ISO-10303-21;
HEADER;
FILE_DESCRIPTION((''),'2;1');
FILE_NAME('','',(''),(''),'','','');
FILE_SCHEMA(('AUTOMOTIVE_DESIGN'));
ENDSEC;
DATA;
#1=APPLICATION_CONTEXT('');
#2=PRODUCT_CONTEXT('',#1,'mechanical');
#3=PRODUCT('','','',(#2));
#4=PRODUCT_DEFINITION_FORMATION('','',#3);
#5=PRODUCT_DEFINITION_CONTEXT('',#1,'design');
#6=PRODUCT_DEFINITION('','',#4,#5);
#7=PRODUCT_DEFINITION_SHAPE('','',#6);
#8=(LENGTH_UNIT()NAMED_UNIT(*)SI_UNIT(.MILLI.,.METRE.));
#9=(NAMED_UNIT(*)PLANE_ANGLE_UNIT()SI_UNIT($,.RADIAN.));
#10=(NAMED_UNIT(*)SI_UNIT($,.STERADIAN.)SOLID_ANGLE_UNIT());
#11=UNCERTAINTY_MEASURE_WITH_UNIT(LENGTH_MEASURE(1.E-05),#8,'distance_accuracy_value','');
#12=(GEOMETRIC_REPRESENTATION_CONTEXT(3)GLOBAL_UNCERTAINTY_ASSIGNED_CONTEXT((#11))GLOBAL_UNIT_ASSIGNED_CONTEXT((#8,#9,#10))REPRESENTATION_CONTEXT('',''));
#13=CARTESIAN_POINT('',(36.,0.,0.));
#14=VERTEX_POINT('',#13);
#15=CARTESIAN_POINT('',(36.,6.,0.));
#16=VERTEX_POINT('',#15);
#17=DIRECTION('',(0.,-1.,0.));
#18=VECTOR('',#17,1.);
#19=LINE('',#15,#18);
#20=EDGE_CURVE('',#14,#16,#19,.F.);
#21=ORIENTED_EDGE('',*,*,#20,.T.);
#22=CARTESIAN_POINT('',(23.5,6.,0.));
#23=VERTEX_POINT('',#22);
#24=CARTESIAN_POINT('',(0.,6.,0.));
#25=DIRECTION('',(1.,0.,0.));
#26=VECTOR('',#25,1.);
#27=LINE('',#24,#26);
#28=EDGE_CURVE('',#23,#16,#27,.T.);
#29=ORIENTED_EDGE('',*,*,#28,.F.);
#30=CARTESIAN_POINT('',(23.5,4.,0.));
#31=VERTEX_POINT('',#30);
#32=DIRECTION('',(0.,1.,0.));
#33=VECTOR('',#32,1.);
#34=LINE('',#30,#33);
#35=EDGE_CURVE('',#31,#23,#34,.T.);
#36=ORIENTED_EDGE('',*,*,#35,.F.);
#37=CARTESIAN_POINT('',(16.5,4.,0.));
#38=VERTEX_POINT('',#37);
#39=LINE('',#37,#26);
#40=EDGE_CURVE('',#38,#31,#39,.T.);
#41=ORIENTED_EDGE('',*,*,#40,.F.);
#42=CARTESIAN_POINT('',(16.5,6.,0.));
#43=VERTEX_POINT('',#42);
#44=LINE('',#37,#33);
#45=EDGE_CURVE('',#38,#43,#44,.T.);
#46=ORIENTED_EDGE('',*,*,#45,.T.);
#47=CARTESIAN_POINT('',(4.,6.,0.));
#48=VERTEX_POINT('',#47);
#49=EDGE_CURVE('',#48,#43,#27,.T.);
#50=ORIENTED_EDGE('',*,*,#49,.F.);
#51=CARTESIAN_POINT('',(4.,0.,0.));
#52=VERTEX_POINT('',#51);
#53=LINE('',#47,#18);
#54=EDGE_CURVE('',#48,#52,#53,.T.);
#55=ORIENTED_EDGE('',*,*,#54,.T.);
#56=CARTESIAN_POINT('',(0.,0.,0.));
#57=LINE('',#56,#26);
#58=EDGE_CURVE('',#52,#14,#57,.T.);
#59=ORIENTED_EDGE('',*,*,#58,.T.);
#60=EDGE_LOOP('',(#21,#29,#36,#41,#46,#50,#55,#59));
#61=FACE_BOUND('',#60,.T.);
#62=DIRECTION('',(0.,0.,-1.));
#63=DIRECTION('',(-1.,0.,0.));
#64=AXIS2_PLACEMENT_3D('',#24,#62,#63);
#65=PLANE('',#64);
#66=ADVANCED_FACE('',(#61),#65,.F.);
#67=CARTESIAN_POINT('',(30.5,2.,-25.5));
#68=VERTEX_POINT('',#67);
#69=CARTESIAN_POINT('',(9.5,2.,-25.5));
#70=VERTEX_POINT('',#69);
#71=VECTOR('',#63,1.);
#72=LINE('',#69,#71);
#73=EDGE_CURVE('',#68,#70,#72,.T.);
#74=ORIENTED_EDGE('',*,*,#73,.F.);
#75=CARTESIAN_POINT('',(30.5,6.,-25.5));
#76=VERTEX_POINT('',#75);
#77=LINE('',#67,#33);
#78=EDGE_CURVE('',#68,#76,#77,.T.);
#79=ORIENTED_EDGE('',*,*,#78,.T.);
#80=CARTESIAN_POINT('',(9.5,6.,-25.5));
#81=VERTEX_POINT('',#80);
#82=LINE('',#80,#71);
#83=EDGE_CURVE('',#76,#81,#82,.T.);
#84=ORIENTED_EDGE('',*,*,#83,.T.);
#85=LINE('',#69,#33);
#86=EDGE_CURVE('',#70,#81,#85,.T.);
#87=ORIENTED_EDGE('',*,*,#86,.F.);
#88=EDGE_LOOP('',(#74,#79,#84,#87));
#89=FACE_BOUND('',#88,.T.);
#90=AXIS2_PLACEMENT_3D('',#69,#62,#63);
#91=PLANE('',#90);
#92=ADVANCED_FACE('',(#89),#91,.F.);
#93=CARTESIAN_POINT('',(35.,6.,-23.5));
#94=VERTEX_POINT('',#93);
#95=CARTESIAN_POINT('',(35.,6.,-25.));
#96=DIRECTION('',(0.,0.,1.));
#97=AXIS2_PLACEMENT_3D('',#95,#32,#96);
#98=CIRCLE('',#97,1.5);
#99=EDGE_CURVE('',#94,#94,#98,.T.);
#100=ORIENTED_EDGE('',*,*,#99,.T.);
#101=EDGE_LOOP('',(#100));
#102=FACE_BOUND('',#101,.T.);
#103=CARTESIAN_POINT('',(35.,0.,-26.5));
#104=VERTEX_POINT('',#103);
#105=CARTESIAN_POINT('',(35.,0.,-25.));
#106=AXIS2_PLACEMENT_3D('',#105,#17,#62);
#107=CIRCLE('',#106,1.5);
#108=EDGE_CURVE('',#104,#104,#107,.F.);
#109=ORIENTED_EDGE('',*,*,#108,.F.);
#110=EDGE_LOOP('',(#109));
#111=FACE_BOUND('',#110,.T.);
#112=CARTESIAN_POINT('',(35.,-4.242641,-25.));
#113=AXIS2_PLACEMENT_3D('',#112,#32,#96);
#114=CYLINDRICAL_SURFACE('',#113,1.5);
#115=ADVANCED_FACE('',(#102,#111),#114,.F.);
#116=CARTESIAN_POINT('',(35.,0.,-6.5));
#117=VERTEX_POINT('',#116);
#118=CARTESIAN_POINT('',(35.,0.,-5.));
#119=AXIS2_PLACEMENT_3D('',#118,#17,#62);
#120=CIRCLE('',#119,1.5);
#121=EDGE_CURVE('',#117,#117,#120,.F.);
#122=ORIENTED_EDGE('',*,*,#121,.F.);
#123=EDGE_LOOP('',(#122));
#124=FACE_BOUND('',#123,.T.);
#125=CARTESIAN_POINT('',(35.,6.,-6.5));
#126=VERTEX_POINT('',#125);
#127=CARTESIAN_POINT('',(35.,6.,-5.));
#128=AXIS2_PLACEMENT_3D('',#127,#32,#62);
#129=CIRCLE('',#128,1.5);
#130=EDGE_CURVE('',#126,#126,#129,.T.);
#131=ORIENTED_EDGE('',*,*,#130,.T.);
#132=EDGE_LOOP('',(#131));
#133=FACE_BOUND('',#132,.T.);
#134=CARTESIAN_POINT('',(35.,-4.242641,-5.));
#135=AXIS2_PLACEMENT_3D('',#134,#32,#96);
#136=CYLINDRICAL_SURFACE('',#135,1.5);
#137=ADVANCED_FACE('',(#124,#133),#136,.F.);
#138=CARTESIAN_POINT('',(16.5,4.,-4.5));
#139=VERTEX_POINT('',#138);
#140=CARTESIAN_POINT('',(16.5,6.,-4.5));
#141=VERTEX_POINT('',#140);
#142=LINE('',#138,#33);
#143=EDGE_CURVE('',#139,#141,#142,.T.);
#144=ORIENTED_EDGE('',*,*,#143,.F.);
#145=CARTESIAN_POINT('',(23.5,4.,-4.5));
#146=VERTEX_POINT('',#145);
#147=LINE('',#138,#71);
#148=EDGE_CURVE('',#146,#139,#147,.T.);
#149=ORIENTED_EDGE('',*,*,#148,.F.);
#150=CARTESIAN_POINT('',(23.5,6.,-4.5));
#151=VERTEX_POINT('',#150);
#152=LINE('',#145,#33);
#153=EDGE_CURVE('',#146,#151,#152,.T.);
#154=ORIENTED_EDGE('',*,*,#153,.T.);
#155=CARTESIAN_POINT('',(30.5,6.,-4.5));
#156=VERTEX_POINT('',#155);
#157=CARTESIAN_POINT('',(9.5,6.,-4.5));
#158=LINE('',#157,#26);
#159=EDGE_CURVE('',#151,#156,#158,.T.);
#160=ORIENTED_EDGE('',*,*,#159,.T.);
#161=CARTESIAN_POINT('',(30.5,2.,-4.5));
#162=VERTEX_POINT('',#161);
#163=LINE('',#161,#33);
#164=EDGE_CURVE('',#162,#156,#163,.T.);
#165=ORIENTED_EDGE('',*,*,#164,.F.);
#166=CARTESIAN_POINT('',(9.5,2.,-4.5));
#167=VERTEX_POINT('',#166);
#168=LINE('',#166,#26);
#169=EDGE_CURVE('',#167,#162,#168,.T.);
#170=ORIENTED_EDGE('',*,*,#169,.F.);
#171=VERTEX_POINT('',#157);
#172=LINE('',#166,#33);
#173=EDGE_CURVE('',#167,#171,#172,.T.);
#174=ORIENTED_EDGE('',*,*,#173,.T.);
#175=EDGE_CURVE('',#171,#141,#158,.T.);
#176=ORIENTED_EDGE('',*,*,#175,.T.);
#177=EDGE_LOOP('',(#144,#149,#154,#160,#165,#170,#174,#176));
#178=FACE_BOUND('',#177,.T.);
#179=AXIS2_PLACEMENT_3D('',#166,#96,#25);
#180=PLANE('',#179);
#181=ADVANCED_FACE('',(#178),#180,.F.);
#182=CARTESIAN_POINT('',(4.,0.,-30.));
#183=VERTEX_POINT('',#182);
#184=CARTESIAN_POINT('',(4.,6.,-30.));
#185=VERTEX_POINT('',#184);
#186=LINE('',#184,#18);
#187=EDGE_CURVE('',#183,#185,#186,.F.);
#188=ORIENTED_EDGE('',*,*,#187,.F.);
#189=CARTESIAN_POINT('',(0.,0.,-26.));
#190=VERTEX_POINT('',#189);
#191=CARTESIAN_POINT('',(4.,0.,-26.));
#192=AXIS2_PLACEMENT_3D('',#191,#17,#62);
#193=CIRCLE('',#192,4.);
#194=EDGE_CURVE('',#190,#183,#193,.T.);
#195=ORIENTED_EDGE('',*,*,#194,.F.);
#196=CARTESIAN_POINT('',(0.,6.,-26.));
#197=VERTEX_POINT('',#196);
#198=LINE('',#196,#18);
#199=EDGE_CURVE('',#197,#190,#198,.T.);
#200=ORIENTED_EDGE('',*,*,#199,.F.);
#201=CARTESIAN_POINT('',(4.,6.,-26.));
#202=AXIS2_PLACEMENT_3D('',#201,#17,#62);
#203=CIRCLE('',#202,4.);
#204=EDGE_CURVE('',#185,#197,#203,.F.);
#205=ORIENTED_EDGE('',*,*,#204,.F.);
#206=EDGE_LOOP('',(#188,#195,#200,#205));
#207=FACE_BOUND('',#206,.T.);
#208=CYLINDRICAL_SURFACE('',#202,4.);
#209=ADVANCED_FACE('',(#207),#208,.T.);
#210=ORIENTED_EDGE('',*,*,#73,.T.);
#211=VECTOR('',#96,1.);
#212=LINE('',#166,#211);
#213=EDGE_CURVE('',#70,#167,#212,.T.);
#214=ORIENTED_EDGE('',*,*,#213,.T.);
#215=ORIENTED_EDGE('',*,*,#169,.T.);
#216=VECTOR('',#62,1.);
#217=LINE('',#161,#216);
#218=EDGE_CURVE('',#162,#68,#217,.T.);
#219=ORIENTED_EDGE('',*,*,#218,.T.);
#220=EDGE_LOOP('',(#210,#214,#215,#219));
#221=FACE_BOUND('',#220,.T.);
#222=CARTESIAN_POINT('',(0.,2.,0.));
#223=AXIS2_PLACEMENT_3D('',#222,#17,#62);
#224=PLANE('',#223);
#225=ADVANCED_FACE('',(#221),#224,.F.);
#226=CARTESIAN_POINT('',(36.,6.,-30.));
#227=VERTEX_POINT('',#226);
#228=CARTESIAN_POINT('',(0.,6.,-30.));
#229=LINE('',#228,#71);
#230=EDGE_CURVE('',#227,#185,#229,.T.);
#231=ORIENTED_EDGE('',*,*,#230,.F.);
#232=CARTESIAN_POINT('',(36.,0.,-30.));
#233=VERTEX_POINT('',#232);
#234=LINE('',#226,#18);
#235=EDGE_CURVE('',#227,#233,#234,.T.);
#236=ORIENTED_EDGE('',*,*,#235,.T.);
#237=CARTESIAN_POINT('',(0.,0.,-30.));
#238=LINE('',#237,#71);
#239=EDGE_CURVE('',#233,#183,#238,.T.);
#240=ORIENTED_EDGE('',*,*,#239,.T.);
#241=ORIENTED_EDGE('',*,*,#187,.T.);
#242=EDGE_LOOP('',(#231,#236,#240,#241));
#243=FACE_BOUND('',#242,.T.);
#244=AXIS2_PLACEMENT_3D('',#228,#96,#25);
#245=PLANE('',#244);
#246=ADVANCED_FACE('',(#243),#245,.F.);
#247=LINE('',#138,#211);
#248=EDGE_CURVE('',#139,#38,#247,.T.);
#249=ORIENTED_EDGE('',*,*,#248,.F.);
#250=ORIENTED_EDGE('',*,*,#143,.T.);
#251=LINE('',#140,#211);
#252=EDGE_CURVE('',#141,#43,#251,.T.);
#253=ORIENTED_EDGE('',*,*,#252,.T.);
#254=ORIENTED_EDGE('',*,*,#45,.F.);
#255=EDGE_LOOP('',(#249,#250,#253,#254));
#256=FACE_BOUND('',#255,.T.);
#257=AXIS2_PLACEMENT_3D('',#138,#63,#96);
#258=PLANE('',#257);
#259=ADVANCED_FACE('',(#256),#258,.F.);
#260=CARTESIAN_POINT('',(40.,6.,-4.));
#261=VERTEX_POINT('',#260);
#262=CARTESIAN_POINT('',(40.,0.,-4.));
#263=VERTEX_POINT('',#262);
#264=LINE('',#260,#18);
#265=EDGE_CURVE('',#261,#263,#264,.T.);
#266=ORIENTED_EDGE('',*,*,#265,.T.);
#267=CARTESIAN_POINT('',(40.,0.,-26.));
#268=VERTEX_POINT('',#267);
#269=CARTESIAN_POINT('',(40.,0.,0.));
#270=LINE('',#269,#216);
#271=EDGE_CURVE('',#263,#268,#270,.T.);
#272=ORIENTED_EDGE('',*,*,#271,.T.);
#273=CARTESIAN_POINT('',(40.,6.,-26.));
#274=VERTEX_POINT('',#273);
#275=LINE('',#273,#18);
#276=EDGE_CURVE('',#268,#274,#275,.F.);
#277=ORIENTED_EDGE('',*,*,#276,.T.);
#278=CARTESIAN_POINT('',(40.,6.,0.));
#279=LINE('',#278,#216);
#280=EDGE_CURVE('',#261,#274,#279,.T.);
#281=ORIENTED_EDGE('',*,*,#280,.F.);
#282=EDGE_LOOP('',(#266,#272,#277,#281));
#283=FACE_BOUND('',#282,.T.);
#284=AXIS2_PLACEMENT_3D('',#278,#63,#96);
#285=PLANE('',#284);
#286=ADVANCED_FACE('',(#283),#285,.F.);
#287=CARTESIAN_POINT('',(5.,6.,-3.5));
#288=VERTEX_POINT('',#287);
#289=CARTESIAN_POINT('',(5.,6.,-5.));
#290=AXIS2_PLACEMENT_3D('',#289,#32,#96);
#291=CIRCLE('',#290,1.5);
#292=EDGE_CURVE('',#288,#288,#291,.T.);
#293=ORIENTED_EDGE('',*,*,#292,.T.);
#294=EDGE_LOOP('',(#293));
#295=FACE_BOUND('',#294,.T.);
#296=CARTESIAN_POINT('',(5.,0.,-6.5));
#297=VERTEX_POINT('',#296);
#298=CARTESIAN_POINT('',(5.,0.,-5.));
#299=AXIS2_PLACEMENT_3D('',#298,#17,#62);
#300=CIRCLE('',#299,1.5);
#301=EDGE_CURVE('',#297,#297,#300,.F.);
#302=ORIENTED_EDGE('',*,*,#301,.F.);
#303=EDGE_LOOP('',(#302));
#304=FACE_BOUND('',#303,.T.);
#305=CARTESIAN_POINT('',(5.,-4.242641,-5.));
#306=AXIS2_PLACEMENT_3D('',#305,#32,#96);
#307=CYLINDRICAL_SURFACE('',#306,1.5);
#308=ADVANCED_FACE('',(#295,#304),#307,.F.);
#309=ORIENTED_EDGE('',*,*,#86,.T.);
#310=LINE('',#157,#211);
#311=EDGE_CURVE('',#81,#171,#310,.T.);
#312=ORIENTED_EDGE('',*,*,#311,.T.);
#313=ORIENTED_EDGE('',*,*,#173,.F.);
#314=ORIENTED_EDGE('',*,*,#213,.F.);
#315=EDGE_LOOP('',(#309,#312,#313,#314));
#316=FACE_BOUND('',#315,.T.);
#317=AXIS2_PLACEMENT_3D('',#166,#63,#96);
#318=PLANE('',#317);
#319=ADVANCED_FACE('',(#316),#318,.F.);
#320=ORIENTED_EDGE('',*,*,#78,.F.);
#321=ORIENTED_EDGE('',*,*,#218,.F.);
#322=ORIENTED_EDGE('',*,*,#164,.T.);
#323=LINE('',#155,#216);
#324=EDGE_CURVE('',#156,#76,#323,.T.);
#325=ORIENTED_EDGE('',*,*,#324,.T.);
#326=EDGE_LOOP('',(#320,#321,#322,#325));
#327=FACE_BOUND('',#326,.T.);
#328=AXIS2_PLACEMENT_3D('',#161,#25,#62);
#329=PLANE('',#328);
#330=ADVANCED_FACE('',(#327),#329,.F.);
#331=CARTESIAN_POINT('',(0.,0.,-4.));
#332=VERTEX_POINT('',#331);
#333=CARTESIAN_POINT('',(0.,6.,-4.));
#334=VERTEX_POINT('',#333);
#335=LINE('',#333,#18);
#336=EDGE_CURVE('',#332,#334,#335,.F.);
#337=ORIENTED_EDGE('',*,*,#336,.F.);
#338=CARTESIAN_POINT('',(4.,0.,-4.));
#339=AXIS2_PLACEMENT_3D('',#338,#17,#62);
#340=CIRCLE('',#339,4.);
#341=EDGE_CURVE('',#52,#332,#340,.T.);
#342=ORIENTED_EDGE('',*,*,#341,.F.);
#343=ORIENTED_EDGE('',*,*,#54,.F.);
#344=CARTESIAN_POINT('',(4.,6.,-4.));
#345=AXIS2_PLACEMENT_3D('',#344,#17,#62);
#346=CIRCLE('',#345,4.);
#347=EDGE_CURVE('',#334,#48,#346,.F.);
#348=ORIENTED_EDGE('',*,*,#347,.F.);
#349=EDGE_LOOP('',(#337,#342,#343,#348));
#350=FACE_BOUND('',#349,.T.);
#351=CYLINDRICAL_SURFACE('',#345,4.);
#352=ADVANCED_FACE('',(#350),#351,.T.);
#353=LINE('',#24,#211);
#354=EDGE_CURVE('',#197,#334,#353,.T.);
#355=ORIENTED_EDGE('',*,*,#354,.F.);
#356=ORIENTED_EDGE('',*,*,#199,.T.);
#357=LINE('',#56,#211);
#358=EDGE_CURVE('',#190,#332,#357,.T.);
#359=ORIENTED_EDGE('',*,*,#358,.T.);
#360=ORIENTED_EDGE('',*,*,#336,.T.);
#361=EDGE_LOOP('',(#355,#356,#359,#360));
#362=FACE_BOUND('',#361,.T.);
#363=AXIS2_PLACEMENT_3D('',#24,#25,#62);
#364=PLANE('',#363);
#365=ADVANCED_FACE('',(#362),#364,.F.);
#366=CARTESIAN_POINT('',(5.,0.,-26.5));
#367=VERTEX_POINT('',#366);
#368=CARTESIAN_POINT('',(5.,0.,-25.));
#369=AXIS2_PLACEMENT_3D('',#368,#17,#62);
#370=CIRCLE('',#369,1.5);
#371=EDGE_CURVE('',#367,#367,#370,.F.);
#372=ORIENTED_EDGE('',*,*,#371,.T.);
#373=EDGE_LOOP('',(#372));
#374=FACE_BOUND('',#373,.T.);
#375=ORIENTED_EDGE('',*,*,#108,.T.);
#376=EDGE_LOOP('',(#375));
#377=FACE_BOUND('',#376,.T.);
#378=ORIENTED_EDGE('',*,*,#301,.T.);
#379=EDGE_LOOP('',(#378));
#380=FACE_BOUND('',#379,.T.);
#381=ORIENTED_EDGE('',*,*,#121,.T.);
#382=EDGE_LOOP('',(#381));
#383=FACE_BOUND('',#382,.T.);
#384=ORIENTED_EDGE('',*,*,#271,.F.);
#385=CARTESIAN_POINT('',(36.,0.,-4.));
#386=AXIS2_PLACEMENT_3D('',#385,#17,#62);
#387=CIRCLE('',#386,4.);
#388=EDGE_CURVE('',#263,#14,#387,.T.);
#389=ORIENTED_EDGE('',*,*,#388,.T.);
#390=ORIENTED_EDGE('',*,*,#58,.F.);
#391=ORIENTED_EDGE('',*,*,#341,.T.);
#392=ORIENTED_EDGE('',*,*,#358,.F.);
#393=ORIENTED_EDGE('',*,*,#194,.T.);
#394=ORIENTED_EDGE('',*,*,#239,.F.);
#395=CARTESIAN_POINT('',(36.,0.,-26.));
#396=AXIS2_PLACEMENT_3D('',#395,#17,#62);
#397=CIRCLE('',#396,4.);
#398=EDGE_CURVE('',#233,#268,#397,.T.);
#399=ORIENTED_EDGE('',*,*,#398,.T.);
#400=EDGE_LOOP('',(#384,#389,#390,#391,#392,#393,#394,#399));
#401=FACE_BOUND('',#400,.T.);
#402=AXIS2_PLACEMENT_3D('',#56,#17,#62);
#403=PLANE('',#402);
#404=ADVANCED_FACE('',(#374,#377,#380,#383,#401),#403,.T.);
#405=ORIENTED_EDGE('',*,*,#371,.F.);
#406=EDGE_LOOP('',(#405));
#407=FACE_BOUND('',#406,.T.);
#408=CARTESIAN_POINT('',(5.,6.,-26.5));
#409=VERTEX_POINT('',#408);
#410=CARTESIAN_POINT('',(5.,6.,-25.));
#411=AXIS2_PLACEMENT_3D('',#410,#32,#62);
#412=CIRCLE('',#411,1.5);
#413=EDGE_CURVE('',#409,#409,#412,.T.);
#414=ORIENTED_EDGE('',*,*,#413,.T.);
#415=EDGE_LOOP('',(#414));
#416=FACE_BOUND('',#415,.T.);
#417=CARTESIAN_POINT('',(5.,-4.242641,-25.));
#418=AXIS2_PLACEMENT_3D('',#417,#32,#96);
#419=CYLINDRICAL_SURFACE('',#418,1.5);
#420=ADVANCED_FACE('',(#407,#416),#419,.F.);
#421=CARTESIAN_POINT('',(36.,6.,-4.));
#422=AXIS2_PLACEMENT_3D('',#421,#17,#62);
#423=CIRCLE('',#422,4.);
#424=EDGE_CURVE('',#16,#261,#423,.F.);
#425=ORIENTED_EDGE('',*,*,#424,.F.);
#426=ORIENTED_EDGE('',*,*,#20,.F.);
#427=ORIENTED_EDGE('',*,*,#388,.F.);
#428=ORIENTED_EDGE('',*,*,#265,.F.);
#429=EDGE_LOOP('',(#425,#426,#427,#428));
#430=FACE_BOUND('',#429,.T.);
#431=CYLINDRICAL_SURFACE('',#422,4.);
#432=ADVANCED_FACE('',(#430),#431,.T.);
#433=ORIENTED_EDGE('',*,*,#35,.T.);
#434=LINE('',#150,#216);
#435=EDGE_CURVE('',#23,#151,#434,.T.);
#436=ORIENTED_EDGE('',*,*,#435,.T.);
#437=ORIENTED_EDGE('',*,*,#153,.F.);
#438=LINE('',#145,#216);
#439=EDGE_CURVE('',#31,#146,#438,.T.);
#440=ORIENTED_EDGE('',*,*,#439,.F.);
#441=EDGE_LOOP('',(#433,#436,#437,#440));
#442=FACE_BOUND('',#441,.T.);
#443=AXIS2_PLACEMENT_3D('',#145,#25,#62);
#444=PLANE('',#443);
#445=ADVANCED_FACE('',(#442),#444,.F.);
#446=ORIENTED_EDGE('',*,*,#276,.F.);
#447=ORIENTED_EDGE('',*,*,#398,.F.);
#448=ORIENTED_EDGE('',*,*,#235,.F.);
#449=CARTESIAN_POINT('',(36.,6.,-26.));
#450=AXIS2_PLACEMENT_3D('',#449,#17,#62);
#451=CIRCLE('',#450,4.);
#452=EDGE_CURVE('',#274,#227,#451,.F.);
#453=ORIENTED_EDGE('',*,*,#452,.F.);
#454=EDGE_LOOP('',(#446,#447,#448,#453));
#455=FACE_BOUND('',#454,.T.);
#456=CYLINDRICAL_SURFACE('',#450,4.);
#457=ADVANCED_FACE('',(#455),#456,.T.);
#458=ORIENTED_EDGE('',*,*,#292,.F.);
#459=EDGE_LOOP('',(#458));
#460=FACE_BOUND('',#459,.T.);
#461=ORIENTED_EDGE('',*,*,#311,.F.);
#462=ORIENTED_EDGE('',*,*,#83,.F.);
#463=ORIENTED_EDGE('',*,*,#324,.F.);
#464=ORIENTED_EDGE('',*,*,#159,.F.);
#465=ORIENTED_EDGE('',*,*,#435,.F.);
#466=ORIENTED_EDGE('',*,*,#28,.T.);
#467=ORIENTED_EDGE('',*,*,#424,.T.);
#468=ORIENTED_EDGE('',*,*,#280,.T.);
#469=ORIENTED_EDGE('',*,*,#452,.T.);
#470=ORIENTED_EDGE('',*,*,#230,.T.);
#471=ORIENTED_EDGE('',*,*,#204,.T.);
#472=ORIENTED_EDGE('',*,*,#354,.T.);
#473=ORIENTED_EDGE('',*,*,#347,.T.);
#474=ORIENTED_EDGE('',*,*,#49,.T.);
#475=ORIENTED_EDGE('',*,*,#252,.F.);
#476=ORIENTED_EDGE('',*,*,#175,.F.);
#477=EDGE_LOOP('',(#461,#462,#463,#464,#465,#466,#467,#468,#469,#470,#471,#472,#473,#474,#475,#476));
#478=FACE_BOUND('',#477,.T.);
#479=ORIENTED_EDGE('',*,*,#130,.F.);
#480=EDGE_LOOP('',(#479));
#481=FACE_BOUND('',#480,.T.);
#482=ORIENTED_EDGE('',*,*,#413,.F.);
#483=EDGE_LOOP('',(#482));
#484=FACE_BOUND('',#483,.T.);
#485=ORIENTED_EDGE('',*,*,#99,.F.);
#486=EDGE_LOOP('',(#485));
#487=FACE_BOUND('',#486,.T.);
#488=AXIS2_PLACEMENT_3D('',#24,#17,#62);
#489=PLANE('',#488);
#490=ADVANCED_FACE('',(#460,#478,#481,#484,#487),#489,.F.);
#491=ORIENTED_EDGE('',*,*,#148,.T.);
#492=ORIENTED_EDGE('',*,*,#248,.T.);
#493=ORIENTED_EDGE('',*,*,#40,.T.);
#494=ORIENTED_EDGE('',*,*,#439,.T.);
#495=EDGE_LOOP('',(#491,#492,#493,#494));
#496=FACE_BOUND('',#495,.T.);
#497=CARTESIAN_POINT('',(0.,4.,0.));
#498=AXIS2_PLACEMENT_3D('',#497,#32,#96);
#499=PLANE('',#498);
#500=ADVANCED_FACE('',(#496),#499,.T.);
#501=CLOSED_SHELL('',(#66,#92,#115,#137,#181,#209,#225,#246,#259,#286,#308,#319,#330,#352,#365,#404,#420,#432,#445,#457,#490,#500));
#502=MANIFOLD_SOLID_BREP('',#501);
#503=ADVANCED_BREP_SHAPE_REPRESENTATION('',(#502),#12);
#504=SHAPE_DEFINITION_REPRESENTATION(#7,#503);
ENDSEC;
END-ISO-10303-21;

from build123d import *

# Parameters (mm, degrees)
SKETCH1_W           = 40
SKETCH1_H           = 30
BOSS_EXTRUDE1_DEPTH = 6
SKETCH2_R           = 1.5
CUT_EXTRUDE1_DEPTH  = 6
FILLET1_R           = 4
SKETCH3_W           = 21
SKETCH3_H           = 21
CUT_EXTRUDE2_DEPTH  = 4
SKETCH4_W           = 7
SKETCH4_H           = 4.5
CUT_EXTRUDE3_DEPTH  = 2


with BuildPart() as part:
    # Sketch1 → Boss-Extrude1 (new body)
    with BuildSketch(Plane(origin=(0, 0, 0), x_dir=(1, 0, 0), z_dir=(0, 1, 0))):
        with Locations((20, 15)):
            Rectangle(SKETCH1_W, SKETCH1_H)
    extrude(amount=BOSS_EXTRUDE1_DEPTH)

    # Sketch2 → Cut-Extrude1 (cut)
    with BuildSketch(Plane(origin=(0, 6, 0), x_dir=(1, 0, 0), z_dir=(0, 1, 0))):
        with Locations(Location((5, 5, 0), (0, 0, 270))):
            Circle(SKETCH2_R)
        with Locations(Location((5, 25, 0), (0, 0, 90))):
            Circle(SKETCH2_R)
        with Locations(Location((35, 5, 0), (0, 0, 90))):
            Circle(SKETCH2_R)
        with Locations(Location((35, 25, 0), (0, 0, 270))):
            Circle(SKETCH2_R)
    extrude(amount=-CUT_EXTRUDE1_DEPTH, mode=Mode.SUBTRACT)

    # Fillet1
    fillet1_edges = [part.edges().sort_by_distance(p)[0] for p in [
        (0, 3, -30),
        (40, 3, -30),
        (40, 3, 0),
        (0, 3, 0),
    ]]
    fillet(fillet1_edges, radius=FILLET1_R)

    # Sketch3 → Cut-Extrude2 (cut)
    with BuildSketch(Plane(origin=(0, 6, 0), x_dir=(1, 0, 0), z_dir=(0, 1, 0))):
        with Locations((20, 15)):
            Rectangle(SKETCH3_W, SKETCH3_H)
    extrude(amount=-CUT_EXTRUDE2_DEPTH, mode=Mode.SUBTRACT)

    # Sketch4 → Cut-Extrude3 (cut)
    with BuildSketch(Plane(origin=(0, 6, 0), x_dir=(1, 0, 0), z_dir=(0, 1, 0))):
        with Locations((20, 2.25)):
            Rectangle(SKETCH4_W, SKETCH4_H)
    extrude(amount=-CUT_EXTRUDE3_DEPTH, mode=Mode.SUBTRACT)


solid = part.part
